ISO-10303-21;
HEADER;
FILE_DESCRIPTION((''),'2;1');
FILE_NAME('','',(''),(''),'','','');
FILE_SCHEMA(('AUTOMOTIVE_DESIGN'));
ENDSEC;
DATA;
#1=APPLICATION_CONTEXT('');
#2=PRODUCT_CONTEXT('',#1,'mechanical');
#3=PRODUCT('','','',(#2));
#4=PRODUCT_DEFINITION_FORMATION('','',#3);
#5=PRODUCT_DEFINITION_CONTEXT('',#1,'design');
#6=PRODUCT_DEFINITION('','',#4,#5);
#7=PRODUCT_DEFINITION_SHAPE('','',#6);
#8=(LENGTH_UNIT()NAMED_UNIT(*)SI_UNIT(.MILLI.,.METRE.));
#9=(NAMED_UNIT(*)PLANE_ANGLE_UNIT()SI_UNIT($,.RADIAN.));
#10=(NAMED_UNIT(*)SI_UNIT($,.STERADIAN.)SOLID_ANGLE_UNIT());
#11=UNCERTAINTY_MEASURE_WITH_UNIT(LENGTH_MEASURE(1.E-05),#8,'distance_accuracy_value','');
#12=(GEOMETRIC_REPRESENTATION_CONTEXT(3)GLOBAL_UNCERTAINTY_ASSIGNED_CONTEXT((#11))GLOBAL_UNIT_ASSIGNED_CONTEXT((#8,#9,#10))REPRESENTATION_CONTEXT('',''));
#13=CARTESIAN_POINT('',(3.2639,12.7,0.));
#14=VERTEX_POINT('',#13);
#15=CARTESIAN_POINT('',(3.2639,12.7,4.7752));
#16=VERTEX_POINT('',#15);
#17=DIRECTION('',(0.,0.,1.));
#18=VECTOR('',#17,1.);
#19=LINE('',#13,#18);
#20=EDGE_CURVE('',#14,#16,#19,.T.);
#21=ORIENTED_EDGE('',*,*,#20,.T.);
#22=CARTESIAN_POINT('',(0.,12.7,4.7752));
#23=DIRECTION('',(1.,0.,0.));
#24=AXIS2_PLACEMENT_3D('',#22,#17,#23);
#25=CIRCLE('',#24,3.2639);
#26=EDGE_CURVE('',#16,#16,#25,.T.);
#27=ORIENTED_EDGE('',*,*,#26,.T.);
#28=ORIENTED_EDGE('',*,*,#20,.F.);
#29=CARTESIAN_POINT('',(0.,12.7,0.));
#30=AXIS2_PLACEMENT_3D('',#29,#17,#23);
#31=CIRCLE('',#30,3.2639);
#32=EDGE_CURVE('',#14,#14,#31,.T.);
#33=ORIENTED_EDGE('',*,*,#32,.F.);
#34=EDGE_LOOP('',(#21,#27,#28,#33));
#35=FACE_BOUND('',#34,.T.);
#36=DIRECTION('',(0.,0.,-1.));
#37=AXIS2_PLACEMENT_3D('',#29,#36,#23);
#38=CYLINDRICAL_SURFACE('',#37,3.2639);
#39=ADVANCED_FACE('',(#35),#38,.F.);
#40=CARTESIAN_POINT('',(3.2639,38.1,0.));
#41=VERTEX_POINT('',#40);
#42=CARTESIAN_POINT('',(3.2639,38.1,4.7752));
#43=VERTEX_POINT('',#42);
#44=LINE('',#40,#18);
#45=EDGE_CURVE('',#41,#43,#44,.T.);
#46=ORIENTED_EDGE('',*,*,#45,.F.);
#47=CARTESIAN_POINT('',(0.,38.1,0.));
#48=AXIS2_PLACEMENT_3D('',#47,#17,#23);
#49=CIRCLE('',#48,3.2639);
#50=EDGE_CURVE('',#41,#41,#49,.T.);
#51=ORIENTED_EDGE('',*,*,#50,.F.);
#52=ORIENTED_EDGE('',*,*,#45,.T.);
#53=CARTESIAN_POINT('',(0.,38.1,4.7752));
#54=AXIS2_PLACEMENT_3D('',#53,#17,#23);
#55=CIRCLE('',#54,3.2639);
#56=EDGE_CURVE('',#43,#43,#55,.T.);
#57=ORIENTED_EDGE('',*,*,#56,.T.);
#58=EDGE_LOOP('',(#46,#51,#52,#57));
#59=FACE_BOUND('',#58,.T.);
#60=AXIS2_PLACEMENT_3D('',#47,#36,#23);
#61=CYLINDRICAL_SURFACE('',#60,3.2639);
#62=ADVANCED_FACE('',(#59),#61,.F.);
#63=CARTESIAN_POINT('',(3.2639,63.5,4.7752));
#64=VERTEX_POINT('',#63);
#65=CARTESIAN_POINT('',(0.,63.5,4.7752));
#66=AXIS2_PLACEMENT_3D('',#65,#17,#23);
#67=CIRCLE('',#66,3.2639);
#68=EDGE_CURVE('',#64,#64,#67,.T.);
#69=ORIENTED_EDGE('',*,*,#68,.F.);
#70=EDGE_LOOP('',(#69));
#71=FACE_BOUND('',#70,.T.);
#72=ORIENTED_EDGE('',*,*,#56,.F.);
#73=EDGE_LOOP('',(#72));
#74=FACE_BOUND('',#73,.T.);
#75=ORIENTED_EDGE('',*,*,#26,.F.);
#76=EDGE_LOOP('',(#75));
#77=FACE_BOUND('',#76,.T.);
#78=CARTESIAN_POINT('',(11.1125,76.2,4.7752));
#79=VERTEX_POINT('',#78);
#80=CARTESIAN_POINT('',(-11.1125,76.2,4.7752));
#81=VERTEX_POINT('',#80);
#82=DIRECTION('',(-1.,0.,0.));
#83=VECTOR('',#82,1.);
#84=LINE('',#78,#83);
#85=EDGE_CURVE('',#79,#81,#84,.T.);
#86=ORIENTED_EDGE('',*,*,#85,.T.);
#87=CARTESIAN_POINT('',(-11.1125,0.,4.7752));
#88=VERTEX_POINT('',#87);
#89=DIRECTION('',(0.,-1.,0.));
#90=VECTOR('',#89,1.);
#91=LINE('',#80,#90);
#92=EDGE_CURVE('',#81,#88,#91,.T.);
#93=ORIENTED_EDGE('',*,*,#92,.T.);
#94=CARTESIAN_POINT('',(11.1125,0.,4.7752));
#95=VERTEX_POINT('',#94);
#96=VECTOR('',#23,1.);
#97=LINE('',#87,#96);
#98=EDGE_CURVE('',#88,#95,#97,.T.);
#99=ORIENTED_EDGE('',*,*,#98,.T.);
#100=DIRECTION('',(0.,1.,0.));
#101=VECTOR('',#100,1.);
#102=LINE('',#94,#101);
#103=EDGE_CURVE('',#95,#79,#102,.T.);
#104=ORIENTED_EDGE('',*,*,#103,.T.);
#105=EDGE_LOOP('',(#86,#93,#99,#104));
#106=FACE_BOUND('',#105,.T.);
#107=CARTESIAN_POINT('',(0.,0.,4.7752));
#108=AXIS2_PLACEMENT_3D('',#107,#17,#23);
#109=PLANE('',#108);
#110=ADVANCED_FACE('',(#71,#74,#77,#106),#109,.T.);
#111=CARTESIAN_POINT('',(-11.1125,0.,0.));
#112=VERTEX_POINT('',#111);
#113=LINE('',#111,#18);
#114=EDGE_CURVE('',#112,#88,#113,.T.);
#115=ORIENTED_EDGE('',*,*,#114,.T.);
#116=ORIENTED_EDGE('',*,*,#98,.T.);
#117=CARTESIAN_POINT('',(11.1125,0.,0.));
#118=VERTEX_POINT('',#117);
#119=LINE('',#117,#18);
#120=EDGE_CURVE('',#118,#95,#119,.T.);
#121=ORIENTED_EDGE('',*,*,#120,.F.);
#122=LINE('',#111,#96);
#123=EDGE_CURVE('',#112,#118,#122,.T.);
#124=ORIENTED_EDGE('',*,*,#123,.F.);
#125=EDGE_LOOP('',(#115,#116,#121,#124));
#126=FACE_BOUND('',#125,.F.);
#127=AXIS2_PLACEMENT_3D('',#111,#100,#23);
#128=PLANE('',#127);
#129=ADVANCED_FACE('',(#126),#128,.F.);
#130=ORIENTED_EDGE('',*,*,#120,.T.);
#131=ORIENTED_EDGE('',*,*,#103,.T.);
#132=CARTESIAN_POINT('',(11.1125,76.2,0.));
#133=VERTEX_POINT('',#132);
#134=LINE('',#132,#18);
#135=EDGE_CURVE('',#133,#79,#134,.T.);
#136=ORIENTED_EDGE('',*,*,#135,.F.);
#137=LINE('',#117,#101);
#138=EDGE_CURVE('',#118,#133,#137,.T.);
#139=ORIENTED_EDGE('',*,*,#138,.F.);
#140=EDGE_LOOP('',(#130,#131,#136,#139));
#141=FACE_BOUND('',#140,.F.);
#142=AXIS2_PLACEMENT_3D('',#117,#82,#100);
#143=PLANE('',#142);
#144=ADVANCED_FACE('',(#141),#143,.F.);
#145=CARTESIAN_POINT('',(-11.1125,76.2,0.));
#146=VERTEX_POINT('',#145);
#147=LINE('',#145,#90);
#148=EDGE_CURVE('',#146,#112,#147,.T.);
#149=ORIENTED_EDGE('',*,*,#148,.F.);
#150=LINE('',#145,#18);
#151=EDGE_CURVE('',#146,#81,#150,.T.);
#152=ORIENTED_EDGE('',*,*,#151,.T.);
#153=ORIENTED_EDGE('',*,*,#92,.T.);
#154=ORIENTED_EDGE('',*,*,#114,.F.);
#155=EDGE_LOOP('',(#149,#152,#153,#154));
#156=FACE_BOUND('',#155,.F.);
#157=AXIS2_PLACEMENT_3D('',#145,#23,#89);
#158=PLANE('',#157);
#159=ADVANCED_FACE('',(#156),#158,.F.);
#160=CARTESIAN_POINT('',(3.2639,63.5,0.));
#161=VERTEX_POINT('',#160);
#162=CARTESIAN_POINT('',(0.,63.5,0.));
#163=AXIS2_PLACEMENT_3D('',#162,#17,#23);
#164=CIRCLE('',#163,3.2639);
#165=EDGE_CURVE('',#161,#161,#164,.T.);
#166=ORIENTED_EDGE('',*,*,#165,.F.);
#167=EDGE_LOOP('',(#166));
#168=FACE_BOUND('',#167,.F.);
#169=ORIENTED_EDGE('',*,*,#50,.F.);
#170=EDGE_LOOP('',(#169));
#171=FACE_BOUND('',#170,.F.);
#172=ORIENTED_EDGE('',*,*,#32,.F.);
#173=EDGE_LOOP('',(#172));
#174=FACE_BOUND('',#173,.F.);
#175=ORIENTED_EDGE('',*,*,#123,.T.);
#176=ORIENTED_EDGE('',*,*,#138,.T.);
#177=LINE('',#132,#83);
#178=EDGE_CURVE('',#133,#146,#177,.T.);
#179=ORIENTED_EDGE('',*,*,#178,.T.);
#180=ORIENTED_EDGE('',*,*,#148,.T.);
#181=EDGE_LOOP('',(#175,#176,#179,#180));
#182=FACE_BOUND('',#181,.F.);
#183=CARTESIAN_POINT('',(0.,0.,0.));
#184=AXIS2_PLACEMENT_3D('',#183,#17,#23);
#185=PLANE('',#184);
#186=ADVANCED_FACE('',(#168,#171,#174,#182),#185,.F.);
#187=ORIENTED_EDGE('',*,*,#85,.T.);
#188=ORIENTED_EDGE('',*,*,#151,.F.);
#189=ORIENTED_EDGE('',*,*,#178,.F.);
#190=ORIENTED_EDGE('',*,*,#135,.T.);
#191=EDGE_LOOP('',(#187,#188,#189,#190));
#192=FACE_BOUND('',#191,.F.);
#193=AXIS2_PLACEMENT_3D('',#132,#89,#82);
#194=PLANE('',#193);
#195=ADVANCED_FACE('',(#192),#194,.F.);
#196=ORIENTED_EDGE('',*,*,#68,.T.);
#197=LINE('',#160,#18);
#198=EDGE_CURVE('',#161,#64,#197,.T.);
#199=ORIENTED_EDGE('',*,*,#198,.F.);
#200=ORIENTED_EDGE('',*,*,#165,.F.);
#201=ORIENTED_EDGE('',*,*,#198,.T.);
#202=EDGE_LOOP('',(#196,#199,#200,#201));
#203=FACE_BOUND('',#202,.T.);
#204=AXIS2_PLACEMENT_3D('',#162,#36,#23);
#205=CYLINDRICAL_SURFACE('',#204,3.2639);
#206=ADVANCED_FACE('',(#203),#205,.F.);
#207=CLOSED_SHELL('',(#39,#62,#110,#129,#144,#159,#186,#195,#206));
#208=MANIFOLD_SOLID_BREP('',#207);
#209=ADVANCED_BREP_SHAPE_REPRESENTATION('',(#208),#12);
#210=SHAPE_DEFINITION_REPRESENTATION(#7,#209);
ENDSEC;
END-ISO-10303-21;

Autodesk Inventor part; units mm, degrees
ref_plane "YZ Plane" through (0, 0, 0) normal (1, 0, 0) x (0, 1, 0)
ref_plane "XZ Plane" through (0, 0, 0) normal (0, 1, 0) x (-1, 0, 0)
ref_plane "XY Plane" through (0, 0, 0) normal (0, 0, 1) x (1, 0, 0)
sketch "Sketch_1" plane through (0, 0, 0) normal (0, 0, 1) x (1, 0, 0)
  line L0 (-11.1125, 76.2) -> (-11.1125, 0)
  line L1 (-11.1125, 0) -> (11.1125, 0)
  line L2 (11.1125, 0) -> (11.1125, 76.2)
  line L3 (11.1125, 76.2) -> (-11.1125, 76.2)
  circle A0 centre (0, 12.7) radius 3.2639
  circle A1 centre (0, 38.1) radius 3.2639
  circle A2 centre (0, 63.5) radius 3.2639
extrude "Extrusion1" add sketch "Sketch_1" along normal blind 4.7752
properties part number "4118"
